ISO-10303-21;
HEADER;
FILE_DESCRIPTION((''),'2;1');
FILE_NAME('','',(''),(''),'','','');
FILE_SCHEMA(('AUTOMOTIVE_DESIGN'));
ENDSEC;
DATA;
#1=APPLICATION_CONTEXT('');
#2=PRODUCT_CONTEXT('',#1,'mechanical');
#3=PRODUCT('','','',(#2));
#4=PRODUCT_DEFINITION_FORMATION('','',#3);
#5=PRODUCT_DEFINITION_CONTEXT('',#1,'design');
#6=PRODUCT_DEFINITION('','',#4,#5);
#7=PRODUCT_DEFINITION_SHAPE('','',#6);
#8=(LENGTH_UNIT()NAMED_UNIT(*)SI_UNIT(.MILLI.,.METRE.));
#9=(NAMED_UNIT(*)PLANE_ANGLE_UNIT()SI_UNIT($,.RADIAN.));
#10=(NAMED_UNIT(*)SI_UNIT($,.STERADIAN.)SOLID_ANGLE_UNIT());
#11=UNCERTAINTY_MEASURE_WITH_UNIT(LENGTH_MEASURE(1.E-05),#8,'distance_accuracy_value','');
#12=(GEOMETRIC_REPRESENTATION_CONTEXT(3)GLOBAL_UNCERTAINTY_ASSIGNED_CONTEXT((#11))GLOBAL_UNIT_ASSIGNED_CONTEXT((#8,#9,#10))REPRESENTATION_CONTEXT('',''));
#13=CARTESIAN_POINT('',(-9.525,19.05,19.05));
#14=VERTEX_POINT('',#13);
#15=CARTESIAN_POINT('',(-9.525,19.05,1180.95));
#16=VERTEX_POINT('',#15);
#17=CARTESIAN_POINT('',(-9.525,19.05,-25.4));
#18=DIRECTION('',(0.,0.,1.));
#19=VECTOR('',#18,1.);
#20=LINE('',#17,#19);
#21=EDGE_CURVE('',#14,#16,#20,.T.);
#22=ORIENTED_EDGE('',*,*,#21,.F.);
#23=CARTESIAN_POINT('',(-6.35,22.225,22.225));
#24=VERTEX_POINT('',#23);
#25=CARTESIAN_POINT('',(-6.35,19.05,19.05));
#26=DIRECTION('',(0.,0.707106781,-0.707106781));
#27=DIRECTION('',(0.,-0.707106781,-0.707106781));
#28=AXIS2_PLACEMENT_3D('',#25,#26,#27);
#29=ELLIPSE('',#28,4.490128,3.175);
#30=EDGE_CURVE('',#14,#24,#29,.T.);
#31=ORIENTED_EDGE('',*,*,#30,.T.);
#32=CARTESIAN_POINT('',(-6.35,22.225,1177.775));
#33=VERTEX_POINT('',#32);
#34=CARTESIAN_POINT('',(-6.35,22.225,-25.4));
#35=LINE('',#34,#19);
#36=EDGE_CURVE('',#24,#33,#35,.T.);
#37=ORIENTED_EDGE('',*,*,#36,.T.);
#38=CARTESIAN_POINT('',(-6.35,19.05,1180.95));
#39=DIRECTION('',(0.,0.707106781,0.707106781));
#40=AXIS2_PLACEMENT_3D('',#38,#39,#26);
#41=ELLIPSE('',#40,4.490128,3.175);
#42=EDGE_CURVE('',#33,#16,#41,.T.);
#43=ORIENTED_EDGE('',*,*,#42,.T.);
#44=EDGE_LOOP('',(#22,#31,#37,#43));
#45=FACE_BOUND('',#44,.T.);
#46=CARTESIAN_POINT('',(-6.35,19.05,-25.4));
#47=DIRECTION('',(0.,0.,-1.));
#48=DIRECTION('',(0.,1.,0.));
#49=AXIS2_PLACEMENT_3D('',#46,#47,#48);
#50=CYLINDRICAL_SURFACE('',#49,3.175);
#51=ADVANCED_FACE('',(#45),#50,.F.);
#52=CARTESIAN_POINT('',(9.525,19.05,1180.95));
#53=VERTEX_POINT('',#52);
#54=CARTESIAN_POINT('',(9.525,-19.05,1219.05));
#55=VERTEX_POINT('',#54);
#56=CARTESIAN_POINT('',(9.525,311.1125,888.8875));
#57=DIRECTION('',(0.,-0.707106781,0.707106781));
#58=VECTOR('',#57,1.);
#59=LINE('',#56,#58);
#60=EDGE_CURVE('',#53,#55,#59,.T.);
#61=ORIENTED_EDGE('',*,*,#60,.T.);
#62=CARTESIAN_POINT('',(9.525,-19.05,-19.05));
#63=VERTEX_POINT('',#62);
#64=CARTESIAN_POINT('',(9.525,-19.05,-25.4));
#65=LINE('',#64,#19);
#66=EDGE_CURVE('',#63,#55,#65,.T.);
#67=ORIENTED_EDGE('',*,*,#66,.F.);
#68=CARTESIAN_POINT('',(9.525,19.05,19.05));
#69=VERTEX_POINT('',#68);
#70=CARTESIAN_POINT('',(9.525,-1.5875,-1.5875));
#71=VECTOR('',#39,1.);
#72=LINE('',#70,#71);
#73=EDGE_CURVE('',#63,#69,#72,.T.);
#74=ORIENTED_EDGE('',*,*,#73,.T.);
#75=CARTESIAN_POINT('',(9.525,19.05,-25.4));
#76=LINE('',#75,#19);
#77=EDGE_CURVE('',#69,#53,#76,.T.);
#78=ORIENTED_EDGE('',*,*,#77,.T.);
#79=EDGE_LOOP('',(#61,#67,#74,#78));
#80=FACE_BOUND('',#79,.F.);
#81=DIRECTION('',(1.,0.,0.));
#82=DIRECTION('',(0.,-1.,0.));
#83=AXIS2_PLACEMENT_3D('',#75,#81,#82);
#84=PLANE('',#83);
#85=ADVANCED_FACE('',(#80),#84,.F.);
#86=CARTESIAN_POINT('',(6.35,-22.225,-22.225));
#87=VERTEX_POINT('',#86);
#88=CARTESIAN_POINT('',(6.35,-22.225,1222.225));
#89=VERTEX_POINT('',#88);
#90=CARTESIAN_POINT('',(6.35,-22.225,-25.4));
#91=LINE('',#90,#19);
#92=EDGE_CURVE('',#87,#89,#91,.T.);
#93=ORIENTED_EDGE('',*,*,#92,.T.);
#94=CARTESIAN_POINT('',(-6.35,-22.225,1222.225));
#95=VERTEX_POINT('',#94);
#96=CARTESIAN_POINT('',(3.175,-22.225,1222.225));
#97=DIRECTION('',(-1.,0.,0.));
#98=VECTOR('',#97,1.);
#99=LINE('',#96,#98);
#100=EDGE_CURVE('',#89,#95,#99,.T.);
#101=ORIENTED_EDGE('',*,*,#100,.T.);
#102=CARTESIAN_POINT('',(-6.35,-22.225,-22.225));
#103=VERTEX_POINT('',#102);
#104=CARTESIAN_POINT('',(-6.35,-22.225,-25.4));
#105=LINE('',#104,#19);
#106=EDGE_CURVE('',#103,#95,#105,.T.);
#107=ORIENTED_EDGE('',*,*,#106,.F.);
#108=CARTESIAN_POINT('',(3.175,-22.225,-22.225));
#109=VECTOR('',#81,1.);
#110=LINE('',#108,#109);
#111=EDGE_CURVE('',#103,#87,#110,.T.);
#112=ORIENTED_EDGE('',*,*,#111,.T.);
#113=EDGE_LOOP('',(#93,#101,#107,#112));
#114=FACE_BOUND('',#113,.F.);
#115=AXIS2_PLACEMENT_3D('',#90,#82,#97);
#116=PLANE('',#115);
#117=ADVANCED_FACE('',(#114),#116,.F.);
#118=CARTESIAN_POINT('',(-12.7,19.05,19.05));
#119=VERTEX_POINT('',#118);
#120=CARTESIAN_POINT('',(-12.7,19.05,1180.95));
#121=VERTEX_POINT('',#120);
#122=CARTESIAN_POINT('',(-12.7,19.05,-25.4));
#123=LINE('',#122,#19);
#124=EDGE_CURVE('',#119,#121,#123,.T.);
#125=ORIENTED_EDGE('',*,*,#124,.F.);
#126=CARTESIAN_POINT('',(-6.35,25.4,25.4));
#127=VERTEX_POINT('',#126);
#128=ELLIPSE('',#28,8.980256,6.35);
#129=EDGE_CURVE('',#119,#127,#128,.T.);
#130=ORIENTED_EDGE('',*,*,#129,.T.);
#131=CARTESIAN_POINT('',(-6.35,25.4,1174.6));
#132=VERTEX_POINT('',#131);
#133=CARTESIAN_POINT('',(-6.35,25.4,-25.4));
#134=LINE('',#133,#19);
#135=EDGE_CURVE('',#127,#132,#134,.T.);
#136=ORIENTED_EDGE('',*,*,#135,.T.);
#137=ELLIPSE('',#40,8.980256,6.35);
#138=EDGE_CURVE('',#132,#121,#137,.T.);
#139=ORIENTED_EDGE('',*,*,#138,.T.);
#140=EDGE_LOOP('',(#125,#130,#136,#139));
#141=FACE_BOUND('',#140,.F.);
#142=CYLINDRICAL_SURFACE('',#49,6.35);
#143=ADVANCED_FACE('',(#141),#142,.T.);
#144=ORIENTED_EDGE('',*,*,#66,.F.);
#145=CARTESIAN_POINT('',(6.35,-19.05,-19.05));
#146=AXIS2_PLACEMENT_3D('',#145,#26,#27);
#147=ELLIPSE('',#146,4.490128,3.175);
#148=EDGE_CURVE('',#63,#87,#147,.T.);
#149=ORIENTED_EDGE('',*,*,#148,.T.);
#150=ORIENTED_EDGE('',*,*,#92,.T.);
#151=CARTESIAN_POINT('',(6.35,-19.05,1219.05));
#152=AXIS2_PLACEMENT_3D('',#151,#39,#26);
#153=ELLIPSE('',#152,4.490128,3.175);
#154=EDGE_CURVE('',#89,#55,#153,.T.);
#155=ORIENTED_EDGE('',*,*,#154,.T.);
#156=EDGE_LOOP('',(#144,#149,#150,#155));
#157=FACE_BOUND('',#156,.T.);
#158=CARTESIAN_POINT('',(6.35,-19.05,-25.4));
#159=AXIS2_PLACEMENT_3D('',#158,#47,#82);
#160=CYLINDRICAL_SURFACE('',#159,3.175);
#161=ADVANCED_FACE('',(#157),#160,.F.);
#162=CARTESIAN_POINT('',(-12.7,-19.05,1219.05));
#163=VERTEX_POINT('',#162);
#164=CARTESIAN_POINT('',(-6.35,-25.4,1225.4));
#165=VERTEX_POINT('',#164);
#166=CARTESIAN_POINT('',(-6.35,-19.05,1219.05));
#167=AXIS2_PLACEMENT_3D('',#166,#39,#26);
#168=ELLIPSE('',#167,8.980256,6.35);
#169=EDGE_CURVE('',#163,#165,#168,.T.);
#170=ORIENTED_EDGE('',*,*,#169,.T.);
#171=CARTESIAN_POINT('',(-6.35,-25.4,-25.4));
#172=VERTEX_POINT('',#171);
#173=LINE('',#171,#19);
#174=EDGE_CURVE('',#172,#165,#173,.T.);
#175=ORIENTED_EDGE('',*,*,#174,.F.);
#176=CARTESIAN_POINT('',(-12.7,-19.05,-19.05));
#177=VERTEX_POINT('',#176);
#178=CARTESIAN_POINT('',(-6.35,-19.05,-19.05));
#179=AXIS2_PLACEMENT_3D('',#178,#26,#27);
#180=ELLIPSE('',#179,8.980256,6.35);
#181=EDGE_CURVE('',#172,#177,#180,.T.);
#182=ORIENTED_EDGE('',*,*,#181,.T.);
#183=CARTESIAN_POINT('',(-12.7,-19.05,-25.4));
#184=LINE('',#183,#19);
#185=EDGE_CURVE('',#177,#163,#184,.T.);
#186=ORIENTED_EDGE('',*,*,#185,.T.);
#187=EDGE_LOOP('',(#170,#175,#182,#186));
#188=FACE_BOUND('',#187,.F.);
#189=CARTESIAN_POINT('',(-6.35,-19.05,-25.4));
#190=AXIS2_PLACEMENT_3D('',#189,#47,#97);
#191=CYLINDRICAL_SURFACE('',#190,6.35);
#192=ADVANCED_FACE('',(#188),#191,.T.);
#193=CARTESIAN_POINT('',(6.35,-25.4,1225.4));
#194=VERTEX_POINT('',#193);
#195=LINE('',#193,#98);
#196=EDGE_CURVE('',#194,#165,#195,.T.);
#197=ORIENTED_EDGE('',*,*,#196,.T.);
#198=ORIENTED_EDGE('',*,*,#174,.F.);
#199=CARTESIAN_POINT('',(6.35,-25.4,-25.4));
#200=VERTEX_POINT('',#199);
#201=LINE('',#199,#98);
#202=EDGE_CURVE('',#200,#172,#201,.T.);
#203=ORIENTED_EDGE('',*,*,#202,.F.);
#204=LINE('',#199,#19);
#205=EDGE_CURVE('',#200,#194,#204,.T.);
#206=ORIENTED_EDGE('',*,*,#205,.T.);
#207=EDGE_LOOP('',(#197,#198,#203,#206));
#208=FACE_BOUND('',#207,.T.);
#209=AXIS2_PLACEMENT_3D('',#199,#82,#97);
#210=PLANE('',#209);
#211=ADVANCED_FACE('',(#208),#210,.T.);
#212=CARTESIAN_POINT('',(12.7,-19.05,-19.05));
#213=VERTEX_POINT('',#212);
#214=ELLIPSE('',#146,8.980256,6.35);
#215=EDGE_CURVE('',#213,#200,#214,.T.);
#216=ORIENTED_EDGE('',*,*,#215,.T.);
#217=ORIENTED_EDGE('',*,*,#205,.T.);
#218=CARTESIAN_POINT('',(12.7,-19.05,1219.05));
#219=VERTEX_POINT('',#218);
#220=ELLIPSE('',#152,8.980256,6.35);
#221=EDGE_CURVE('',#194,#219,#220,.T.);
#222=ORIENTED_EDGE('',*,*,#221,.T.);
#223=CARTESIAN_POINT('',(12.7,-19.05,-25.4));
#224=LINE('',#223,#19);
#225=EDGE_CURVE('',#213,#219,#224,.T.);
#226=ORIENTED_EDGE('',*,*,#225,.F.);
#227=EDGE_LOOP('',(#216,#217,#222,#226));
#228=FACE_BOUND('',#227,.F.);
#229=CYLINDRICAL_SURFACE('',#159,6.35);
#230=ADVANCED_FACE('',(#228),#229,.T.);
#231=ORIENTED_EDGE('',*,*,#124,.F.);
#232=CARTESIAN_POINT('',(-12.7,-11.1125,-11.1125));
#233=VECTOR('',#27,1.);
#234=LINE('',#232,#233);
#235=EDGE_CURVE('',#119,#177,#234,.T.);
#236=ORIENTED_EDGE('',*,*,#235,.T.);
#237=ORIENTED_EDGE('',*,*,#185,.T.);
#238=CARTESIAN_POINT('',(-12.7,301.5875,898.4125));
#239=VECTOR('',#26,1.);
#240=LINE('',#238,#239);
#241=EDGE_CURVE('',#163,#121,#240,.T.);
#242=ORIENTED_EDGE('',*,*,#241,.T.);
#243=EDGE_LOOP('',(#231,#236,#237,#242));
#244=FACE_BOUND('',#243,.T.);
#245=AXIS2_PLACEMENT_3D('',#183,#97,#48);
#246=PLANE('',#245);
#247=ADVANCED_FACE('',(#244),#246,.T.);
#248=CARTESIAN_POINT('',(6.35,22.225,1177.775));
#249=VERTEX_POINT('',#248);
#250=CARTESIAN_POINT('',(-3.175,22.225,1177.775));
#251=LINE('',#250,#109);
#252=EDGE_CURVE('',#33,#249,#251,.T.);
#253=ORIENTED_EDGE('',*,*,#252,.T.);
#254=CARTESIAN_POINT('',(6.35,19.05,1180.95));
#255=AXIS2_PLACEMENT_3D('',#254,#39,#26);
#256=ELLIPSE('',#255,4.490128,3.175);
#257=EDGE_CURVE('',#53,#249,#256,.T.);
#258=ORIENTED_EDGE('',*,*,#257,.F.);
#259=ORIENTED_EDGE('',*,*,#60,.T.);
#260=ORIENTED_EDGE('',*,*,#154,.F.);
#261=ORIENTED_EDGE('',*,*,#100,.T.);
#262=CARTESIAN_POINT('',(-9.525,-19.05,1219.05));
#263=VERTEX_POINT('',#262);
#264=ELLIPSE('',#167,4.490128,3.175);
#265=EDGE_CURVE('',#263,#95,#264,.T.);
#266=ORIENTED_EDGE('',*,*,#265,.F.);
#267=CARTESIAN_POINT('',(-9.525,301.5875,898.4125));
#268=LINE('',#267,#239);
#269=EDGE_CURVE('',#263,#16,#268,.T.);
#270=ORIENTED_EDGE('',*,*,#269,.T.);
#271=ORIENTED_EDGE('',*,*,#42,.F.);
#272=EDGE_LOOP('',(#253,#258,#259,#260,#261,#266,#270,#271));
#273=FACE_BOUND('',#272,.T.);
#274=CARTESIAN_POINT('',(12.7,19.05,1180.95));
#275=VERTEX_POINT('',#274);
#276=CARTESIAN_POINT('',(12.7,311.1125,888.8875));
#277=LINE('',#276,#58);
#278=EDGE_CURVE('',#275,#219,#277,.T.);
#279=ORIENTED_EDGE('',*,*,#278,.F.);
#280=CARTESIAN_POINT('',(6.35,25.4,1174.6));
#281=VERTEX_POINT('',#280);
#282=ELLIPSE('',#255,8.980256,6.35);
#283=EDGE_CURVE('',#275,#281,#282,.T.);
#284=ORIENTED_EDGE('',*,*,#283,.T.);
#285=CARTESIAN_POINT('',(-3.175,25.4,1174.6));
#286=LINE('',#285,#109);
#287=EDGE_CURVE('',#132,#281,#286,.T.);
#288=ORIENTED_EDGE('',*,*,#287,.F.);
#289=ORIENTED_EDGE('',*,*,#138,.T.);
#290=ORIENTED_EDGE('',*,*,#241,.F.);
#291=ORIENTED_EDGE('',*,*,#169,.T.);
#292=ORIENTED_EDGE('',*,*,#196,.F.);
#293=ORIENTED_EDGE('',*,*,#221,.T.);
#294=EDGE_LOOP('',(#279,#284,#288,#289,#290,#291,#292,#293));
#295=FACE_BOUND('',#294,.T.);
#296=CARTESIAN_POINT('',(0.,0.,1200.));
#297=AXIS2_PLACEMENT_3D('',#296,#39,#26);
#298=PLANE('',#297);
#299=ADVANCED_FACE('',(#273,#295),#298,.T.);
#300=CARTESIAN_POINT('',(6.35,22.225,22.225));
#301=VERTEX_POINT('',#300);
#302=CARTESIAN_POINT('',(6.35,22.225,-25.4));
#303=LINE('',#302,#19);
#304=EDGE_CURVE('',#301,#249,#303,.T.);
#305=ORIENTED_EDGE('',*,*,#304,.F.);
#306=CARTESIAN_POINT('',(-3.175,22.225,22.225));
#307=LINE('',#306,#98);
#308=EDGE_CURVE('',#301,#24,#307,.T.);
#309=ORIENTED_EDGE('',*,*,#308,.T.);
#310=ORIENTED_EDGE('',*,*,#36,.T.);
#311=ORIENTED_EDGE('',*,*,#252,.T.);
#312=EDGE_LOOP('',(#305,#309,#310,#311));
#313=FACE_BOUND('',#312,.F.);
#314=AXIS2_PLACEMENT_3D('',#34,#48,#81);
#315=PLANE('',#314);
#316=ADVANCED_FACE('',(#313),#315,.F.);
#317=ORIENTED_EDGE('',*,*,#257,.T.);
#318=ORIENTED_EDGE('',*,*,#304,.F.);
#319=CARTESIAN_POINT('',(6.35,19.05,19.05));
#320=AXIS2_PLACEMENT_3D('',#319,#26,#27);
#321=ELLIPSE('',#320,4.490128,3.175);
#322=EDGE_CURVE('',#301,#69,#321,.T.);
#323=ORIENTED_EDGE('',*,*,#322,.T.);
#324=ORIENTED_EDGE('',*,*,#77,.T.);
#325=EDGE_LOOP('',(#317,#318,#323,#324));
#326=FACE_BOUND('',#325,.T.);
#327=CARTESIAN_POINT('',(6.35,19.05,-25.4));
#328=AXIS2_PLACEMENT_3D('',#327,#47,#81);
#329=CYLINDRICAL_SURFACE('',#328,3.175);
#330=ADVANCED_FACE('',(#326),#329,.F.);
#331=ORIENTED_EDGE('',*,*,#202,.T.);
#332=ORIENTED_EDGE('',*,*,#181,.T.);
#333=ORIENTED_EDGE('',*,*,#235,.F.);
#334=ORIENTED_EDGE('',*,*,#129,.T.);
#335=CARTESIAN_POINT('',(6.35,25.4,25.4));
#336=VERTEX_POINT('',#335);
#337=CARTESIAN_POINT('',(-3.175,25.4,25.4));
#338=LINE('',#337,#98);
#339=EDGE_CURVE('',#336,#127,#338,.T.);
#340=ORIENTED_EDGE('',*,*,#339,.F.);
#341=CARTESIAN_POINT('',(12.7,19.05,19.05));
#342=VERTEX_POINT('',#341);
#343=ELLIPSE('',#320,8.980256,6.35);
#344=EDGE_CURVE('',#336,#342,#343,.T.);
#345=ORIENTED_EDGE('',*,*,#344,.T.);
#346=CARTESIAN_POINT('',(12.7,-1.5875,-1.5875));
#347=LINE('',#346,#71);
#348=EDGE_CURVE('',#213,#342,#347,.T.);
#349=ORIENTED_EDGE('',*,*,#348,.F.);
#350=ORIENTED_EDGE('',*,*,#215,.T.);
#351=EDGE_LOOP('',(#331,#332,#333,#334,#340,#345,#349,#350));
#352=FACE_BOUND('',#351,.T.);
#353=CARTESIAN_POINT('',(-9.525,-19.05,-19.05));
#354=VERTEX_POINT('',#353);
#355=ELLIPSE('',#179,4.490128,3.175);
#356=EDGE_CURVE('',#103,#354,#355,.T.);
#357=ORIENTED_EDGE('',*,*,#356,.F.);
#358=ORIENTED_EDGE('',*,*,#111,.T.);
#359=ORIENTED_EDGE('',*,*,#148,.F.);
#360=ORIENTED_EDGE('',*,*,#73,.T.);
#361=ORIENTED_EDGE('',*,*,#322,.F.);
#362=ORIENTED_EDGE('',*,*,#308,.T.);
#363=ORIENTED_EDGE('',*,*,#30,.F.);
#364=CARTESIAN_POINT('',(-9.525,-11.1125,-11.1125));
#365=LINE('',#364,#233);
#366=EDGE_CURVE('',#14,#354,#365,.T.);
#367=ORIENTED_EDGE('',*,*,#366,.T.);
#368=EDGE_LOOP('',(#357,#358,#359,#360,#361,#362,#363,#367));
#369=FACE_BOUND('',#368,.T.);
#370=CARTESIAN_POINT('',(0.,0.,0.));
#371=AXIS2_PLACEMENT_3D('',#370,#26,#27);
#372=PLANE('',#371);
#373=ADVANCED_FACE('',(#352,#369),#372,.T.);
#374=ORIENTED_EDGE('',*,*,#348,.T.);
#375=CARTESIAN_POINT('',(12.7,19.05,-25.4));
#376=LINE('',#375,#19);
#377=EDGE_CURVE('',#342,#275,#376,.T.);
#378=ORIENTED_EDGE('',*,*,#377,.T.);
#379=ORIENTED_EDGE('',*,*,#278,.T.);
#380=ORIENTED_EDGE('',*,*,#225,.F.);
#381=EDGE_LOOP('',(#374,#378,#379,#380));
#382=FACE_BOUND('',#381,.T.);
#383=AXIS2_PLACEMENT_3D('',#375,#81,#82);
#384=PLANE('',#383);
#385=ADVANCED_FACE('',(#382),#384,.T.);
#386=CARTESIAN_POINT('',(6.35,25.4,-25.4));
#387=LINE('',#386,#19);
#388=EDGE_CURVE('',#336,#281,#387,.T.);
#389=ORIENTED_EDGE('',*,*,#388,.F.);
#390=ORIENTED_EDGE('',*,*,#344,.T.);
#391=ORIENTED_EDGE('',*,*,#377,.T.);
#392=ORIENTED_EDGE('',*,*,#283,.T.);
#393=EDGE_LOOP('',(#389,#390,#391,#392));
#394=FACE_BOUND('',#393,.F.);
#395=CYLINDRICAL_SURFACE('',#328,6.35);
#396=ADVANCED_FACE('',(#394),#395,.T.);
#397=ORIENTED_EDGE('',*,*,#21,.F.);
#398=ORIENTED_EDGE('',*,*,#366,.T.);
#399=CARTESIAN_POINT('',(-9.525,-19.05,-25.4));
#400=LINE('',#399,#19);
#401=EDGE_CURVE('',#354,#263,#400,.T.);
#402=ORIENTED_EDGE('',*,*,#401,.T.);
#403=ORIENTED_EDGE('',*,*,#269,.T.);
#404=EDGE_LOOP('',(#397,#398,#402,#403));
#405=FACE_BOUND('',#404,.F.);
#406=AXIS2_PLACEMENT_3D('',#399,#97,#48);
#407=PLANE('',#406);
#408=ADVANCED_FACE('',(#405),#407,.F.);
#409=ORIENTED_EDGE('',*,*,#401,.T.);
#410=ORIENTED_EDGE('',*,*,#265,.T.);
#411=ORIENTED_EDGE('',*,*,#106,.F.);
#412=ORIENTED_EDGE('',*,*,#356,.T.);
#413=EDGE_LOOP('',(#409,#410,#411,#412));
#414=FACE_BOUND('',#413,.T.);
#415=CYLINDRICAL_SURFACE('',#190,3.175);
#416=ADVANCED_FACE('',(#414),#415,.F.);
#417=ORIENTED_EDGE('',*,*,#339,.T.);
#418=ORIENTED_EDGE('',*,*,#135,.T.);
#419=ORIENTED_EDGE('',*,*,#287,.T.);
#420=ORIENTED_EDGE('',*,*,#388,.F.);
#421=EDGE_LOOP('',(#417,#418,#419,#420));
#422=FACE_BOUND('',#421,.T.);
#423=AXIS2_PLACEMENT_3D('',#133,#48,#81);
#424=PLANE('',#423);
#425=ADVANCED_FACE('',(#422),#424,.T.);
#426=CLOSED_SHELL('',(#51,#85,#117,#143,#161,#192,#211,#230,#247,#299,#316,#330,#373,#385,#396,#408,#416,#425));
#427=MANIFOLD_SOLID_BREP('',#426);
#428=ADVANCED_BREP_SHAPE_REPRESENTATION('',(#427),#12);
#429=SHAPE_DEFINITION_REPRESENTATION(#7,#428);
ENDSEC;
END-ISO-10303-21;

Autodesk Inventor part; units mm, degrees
ref_plane "Start Plane" through (0, 0, -25.4) normal (0, 0, 1) x (1, 0, 0)
ref_plane "End Plane" through (0, 0, 1225.4) normal (0, 0, 1) x (1, 0, 0)
sketch "Sketch" plane through (0, 0, 0) normal (0, 0, 1) x (1, 0, 0)
  line L0 (-12.7, -19.05) -> (-12.7, 19.05)
  line L1 (-6.35, 25.4) -> (6.35, 25.4)
  line L2 (12.7, 19.05) -> (12.7, -19.05)
  line L3 (6.35, -25.4) -> (-6.35, -25.4)
  arc A0 (-12.7, -19.05) -> (-6.35, -25.4) centre (-6.35, -19.05) ccw
  arc A1 (-6.35, 25.4) -> (-12.7, 19.05) centre (-6.35, 19.05) ccw
  arc A2 (12.7, 19.05) -> (6.35, 25.4) centre (6.35, 19.05) ccw
  arc A3 (6.35, -25.4) -> (12.7, -19.05) centre (6.35, -19.05) ccw
  arc A4 (-6.35, 22.225) -> (-9.525, 19.05) centre (-6.35, 19.05) ccw
  line L4 (-6.35, 22.225) -> (6.35, 22.225)
  arc A5 (9.525, 19.05) -> (6.35, 22.225) centre (6.35, 19.05) ccw
  line L5 (9.525, 19.05) -> (9.525, -19.05)
  arc A6 (6.35, -22.225) -> (9.525, -19.05) centre (6.35, -19.05) ccw
  line L6 (6.35, -22.225) -> (-6.35, -22.225)
  arc A7 (-9.525, -19.05) -> (-6.35, -22.225) centre (-6.35, -19.05) ccw
  line L7 (-9.525, -19.05) -> (-9.525, 19.05)
  line L8 (0, 37.4012) -> (0, -37.4012) construction
  line L9 (-19.6212, 0) -> (19.6212, 0) construction
  dimension "d10" = 50.8
  dimension "d11" = 25.4
  dimension "d12" = 3.175
  dimension "d15" = 25.4
  dimension "d16" = 12.7
  dimension "d17" = 6.35
extrude "Body" add sketch "Sketch" along normal up to surface (1250.8 mm away) from surface at -25.4
sketch "Sketch3" plane through (0, 0, 0) normal (0, 0, 1) x (1, 0, 0)
  line L0 (0, 0) -> (10, 0)
ref_plane "Work Plane3" through (0, 0, 0) normal (0, -1, 0) x (1, 0, 0)
ref_plane "Work Plane4" through (0, 0, 0) normal (0, 0.7071, -0.7071) x (1, 0, 0)
split "Split1" plane through (0, 0, 0) removes the side toward (0, 0.7071, -0.7071)
ref_plane "Work Plane5" through (0, 0, 1200) normal (0, 0.7071, 0.7071) x (1, 0, 0)
split "Split2" plane through (0, 0, 1200) removes the side toward (0, 0.7071, 0.7071)
sketch "Sketch4" plane through (0, 0, 0) normal (0, -1, 0) x (1, 0, 0)
  line L0 (-2, -25.4) -> (12, -25.4) projected
  line L1 (-2, 1225.4) -> (12, 1225.4) projected
  dimension "d19" = 1250.8
equation "\"d10\" = G_H"
equation "\"d11\" = G_W"
equation "\"d12\" = G_T"
equation "\"d15\" = 0.5 * d10"
equation "\"d16\" = 0.5 * d11"
equation "\"d17\" = G_IR"
equation "\"d3\" = G_L"
equation "\"G_W\" = 25.4"
equation "\"G_H\" = 50.8"
equation "\"G_T\" = 3.175"
equation "\"G_IR\" = 6.35"
equation "\"G_L\" = d19"
equation "\"G_OFFSET_START\" = 25.4"
equation "\"G_OFFSET_END\" = 25.4"
equation "\"d13\" = -G_OFFSET_START"
equation "\"d14\" = G_OFFSET_END + B_L"
equation "\"B_L\" = 1200"
properties part number "AISC - 2 x 1 x 1/8 - 49.244" material "Steel, Wrought"
